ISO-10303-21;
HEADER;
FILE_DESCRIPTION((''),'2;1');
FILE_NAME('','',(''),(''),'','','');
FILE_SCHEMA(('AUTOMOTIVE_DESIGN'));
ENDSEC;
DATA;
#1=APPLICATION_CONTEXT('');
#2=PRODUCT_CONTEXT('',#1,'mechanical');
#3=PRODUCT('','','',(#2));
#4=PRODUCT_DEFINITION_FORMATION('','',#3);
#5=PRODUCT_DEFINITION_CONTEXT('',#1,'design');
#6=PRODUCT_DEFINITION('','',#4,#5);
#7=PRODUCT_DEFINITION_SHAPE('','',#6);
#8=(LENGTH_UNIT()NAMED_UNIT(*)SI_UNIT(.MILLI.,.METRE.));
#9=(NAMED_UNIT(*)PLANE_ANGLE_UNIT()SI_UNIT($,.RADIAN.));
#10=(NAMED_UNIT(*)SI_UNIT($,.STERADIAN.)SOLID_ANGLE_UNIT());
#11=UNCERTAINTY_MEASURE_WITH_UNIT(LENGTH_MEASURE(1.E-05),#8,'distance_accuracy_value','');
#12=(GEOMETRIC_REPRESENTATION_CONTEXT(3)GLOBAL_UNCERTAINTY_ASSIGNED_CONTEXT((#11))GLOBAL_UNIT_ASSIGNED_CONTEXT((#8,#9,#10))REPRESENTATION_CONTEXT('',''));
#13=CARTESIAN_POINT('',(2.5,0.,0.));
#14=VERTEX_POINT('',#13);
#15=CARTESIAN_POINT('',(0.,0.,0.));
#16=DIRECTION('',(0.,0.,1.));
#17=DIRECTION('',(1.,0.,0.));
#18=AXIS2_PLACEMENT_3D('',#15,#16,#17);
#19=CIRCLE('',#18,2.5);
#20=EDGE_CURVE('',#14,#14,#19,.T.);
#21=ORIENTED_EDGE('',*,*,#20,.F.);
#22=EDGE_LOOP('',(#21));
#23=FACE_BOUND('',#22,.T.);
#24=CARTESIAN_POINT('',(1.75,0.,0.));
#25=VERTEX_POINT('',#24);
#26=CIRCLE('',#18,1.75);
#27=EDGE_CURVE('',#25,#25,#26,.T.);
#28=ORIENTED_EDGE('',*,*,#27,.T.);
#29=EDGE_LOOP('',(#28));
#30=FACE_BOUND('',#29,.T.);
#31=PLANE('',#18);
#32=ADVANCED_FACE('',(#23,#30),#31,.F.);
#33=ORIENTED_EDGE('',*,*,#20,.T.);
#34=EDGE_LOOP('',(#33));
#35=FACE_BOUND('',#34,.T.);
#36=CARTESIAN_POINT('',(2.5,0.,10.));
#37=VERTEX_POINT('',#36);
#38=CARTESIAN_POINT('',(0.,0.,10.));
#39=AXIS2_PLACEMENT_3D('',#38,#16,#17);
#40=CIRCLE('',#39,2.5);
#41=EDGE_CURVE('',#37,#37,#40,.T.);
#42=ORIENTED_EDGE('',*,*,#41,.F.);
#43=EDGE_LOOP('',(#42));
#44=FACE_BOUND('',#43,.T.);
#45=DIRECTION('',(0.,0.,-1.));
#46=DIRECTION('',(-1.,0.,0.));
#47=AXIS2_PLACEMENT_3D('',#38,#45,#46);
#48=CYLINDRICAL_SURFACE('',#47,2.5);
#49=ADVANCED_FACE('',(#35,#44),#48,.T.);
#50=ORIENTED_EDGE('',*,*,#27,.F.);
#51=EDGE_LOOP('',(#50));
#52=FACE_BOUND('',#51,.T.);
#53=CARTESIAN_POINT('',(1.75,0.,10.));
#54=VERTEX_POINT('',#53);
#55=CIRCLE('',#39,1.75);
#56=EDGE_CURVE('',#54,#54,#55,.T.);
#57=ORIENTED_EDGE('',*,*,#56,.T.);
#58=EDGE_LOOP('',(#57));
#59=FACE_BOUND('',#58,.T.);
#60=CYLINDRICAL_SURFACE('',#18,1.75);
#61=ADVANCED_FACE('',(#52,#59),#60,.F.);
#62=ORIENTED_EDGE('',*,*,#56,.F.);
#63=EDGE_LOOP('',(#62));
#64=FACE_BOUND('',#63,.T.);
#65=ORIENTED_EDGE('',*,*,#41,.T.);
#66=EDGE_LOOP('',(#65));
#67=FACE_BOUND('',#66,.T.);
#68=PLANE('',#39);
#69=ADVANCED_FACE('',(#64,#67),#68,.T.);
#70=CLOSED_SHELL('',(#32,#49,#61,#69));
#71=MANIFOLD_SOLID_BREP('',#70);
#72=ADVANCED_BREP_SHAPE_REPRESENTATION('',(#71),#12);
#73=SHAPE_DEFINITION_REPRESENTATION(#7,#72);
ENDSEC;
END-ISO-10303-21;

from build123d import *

# Parameters (mm, degrees)
SKETCH1_R           = 2.5
BOSS_EXTRUDE1_DEPTH = 10
SKETCH2_R           = 1.75
CUT_EXTRUDE1_DEPTH  = 10


with BuildPart() as part:
    # Sketch1 → Boss-Extrude1 (new body)
    with BuildSketch(Plane.XY):
        Circle(SKETCH1_R)
    extrude(amount=BOSS_EXTRUDE1_DEPTH)

    # Sketch2 → Cut-Extrude1 (cut)
    with BuildSketch(Plane.XY.offset(10)):
        Circle(SKETCH2_R)
    extrude(amount=-CUT_EXTRUDE1_DEPTH, mode=Mode.SUBTRACT)


solid = part.part
